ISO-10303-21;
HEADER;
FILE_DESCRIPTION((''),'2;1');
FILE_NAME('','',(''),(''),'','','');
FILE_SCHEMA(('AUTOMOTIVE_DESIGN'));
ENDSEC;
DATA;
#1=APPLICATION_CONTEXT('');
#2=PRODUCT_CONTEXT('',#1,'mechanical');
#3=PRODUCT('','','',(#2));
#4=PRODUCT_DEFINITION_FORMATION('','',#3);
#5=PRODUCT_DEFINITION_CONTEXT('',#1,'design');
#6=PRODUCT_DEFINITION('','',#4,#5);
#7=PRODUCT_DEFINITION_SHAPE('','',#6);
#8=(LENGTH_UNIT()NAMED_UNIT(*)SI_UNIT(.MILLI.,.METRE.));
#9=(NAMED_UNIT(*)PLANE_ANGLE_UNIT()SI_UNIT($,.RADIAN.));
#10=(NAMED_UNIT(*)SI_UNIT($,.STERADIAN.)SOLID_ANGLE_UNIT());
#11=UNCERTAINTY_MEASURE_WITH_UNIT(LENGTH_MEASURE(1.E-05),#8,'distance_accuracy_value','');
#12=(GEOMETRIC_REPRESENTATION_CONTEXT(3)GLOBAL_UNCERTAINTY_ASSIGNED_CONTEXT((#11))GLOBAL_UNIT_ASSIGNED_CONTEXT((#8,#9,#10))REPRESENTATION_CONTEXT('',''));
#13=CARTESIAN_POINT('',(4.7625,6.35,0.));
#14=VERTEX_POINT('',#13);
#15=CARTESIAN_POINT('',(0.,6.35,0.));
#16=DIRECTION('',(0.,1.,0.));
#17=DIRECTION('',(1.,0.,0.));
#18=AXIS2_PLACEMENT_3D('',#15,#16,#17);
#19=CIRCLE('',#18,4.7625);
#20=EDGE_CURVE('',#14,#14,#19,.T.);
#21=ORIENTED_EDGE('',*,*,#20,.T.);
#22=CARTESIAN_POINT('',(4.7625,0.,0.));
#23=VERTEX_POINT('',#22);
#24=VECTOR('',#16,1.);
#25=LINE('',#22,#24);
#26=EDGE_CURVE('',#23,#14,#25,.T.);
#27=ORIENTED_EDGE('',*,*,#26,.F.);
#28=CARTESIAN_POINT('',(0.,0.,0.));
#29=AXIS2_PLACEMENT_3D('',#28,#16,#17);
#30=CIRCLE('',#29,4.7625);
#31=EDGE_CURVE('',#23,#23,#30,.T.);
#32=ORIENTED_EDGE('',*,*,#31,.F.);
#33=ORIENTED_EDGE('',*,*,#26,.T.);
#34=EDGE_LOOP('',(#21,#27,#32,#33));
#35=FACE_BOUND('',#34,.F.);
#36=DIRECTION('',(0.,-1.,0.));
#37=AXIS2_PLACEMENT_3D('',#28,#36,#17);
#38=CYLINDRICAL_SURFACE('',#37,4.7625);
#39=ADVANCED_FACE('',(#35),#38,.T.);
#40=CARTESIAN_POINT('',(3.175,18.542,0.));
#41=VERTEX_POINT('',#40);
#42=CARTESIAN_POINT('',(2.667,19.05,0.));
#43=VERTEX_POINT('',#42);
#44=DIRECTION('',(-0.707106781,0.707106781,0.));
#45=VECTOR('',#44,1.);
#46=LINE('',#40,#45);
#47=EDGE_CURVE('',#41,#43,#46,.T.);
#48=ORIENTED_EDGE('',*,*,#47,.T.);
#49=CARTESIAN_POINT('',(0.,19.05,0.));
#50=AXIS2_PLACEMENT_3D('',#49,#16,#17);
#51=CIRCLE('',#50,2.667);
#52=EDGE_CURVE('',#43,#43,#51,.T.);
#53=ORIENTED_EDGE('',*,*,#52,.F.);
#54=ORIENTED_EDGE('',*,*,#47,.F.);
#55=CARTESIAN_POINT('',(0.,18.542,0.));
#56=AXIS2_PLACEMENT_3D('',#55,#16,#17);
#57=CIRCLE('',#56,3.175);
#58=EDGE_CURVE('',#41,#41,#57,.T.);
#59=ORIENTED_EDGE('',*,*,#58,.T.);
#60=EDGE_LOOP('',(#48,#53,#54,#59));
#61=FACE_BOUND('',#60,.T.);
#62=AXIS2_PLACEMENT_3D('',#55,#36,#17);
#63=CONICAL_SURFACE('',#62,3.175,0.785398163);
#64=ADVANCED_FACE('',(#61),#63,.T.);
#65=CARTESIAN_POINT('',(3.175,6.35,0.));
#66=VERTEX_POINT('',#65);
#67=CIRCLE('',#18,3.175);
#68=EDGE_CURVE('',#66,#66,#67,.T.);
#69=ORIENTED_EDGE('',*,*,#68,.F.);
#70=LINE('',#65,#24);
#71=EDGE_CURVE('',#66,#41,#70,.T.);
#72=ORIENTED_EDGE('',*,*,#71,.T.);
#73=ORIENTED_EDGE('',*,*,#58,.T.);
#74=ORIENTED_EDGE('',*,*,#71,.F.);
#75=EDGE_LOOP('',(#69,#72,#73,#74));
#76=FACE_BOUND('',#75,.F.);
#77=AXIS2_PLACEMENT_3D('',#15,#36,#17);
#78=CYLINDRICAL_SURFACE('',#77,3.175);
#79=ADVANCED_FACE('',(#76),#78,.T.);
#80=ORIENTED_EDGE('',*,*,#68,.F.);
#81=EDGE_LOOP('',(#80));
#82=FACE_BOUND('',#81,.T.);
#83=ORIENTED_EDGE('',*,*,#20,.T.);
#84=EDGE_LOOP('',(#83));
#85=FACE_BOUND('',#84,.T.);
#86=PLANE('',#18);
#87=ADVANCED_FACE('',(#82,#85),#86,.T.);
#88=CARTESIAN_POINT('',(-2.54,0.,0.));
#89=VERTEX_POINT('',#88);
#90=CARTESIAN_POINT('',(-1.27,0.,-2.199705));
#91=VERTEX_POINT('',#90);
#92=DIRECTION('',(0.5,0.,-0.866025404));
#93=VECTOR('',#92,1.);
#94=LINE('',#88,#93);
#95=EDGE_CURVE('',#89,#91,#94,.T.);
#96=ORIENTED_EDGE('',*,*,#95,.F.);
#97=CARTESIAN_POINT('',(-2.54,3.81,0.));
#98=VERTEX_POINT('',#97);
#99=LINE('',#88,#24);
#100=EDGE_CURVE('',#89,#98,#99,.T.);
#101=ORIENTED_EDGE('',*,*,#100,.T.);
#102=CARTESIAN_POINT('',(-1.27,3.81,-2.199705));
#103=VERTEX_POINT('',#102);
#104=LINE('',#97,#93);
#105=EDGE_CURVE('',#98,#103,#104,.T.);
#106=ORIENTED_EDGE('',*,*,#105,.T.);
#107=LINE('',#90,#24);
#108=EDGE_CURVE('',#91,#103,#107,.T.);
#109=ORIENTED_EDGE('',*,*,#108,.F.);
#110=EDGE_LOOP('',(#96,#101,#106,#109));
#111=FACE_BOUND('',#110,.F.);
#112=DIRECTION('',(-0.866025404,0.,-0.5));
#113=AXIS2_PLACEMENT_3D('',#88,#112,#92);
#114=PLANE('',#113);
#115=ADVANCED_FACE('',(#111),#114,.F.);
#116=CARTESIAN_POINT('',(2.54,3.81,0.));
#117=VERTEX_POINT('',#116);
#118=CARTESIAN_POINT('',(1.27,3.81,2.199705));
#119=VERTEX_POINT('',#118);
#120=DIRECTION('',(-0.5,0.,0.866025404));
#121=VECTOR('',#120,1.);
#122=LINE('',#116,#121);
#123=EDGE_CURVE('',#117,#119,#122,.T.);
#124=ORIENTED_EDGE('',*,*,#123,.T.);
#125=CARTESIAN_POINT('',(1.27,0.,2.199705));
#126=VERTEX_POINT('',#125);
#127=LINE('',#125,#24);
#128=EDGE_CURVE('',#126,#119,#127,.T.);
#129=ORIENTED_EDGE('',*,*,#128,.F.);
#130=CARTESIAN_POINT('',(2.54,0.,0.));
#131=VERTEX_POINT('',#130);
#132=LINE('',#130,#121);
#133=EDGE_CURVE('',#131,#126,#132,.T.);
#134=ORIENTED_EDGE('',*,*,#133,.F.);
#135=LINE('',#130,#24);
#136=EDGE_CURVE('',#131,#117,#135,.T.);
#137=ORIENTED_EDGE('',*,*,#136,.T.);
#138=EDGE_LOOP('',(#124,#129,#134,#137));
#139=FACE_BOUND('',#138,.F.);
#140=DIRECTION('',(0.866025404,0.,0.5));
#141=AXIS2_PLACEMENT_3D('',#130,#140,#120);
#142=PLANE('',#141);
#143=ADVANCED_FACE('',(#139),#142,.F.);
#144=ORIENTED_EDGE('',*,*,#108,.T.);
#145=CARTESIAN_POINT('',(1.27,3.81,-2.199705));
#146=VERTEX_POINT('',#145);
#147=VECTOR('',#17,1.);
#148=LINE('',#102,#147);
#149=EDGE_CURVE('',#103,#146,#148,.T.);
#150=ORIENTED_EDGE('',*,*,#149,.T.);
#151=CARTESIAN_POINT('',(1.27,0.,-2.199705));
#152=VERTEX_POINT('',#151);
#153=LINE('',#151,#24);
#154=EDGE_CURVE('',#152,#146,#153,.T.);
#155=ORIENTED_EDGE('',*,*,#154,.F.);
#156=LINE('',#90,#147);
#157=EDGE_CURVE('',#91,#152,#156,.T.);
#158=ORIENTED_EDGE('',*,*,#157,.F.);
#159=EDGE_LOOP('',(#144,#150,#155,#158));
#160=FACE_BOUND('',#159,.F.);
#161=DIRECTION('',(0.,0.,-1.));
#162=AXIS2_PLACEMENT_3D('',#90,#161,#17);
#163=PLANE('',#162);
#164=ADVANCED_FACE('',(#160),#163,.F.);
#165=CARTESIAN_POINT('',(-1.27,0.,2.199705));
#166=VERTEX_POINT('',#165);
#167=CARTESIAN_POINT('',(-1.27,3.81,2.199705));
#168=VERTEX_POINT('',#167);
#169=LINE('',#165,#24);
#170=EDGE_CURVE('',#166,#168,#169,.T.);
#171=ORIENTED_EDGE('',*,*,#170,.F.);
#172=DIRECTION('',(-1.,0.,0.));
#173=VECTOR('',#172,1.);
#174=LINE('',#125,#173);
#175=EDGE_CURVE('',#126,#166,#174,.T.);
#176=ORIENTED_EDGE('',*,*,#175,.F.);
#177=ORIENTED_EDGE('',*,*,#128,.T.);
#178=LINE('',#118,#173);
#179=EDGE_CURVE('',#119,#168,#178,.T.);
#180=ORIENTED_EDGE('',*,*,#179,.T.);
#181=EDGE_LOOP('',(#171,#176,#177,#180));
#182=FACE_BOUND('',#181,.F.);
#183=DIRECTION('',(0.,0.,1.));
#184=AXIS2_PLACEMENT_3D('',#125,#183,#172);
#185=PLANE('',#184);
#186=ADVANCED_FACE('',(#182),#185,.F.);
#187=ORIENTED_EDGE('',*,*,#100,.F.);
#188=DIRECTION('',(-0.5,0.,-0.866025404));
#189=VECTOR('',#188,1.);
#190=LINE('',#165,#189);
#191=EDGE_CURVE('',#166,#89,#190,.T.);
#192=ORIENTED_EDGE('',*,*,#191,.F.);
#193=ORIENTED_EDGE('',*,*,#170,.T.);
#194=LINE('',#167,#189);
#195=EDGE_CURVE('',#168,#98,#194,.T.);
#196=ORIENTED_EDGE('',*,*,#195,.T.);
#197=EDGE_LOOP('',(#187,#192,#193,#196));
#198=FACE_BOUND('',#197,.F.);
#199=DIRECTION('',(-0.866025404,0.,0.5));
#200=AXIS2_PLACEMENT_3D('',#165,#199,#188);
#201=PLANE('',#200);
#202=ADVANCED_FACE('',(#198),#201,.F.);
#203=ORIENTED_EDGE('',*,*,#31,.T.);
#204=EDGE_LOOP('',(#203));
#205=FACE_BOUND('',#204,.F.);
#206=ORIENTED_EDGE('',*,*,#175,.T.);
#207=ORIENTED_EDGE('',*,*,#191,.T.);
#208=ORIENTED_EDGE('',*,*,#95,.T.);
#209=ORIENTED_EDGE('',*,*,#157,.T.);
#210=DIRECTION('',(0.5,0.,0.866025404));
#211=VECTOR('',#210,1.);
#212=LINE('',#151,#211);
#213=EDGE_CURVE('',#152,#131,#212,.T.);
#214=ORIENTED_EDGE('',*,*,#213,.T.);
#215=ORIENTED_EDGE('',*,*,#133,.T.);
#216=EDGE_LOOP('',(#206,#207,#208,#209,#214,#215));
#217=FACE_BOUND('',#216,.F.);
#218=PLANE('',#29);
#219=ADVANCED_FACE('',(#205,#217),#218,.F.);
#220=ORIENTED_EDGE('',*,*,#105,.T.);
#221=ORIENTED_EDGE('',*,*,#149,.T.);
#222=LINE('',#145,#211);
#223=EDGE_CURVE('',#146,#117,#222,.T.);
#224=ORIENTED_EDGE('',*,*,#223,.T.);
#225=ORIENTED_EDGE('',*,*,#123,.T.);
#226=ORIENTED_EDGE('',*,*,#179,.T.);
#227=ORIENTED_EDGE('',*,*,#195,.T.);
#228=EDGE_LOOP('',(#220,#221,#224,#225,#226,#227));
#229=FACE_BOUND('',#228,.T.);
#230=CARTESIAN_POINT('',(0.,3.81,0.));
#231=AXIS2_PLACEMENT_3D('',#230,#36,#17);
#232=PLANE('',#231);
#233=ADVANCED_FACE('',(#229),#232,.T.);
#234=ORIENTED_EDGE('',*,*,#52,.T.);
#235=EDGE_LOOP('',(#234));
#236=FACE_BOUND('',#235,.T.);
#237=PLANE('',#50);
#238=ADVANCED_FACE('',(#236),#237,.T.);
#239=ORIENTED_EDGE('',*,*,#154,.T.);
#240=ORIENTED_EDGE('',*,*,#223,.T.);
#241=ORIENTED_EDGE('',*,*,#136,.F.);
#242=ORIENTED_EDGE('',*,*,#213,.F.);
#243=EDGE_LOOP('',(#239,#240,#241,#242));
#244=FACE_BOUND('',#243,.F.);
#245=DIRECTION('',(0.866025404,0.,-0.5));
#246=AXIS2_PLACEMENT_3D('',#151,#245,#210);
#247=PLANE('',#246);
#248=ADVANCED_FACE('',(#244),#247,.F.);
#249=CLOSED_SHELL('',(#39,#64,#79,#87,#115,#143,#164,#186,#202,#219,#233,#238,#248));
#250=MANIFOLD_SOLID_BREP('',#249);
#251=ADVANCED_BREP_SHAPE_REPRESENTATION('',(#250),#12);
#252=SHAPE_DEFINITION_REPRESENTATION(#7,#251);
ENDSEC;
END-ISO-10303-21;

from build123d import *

# Parameters (mm, degrees)
SKETCH1_R           = 4.7625
BOSS_EXTRUDE1_DEPTH = 6.35
SKETCH2_R           = 3.175
BOSS_EXTRUDE2_DEPTH = 12.7
CHAMFER1_SIZE       = 0.508
CUT_EXTRUDE1_DEPTH  = 3.81


with BuildPart() as part:
    # Sketch1 → Boss-Extrude1 (new body)
    with BuildSketch(Plane(origin=(0, 0, 0), x_dir=(1, 0, 0), z_dir=(0, 1, 0))):
        Circle(SKETCH1_R)
    extrude(amount=BOSS_EXTRUDE1_DEPTH)

    # Sketch2 → Boss-Extrude2 (add)
    with BuildSketch(Plane(origin=(0, 6.35, 0), x_dir=(1, 0, 0), z_dir=(0, 1, 0))):
        Circle(SKETCH2_R)
    extrude(amount=BOSS_EXTRUDE2_DEPTH)

    # Chamfer1
    chamfer1_edges = [part.edges().sort_by_distance(p)[0] for p in [
        (-3.175, 19.05, 0),
    ]]
    chamfer(chamfer1_edges, length=CHAMFER1_SIZE)

    # Sketch3 → Cut-Extrude1 (cut)
    with BuildSketch(Plane.XZ):
        Polygon((1.27, 2.199704526), (-1.27, 2.199704526), (-2.54, 0), (-1.27, -2.199704526), (1.27, -2.199704526), (2.54, 0), align=None)
    extrude(amount=-CUT_EXTRUDE1_DEPTH, mode=Mode.SUBTRACT)


solid = part.part
